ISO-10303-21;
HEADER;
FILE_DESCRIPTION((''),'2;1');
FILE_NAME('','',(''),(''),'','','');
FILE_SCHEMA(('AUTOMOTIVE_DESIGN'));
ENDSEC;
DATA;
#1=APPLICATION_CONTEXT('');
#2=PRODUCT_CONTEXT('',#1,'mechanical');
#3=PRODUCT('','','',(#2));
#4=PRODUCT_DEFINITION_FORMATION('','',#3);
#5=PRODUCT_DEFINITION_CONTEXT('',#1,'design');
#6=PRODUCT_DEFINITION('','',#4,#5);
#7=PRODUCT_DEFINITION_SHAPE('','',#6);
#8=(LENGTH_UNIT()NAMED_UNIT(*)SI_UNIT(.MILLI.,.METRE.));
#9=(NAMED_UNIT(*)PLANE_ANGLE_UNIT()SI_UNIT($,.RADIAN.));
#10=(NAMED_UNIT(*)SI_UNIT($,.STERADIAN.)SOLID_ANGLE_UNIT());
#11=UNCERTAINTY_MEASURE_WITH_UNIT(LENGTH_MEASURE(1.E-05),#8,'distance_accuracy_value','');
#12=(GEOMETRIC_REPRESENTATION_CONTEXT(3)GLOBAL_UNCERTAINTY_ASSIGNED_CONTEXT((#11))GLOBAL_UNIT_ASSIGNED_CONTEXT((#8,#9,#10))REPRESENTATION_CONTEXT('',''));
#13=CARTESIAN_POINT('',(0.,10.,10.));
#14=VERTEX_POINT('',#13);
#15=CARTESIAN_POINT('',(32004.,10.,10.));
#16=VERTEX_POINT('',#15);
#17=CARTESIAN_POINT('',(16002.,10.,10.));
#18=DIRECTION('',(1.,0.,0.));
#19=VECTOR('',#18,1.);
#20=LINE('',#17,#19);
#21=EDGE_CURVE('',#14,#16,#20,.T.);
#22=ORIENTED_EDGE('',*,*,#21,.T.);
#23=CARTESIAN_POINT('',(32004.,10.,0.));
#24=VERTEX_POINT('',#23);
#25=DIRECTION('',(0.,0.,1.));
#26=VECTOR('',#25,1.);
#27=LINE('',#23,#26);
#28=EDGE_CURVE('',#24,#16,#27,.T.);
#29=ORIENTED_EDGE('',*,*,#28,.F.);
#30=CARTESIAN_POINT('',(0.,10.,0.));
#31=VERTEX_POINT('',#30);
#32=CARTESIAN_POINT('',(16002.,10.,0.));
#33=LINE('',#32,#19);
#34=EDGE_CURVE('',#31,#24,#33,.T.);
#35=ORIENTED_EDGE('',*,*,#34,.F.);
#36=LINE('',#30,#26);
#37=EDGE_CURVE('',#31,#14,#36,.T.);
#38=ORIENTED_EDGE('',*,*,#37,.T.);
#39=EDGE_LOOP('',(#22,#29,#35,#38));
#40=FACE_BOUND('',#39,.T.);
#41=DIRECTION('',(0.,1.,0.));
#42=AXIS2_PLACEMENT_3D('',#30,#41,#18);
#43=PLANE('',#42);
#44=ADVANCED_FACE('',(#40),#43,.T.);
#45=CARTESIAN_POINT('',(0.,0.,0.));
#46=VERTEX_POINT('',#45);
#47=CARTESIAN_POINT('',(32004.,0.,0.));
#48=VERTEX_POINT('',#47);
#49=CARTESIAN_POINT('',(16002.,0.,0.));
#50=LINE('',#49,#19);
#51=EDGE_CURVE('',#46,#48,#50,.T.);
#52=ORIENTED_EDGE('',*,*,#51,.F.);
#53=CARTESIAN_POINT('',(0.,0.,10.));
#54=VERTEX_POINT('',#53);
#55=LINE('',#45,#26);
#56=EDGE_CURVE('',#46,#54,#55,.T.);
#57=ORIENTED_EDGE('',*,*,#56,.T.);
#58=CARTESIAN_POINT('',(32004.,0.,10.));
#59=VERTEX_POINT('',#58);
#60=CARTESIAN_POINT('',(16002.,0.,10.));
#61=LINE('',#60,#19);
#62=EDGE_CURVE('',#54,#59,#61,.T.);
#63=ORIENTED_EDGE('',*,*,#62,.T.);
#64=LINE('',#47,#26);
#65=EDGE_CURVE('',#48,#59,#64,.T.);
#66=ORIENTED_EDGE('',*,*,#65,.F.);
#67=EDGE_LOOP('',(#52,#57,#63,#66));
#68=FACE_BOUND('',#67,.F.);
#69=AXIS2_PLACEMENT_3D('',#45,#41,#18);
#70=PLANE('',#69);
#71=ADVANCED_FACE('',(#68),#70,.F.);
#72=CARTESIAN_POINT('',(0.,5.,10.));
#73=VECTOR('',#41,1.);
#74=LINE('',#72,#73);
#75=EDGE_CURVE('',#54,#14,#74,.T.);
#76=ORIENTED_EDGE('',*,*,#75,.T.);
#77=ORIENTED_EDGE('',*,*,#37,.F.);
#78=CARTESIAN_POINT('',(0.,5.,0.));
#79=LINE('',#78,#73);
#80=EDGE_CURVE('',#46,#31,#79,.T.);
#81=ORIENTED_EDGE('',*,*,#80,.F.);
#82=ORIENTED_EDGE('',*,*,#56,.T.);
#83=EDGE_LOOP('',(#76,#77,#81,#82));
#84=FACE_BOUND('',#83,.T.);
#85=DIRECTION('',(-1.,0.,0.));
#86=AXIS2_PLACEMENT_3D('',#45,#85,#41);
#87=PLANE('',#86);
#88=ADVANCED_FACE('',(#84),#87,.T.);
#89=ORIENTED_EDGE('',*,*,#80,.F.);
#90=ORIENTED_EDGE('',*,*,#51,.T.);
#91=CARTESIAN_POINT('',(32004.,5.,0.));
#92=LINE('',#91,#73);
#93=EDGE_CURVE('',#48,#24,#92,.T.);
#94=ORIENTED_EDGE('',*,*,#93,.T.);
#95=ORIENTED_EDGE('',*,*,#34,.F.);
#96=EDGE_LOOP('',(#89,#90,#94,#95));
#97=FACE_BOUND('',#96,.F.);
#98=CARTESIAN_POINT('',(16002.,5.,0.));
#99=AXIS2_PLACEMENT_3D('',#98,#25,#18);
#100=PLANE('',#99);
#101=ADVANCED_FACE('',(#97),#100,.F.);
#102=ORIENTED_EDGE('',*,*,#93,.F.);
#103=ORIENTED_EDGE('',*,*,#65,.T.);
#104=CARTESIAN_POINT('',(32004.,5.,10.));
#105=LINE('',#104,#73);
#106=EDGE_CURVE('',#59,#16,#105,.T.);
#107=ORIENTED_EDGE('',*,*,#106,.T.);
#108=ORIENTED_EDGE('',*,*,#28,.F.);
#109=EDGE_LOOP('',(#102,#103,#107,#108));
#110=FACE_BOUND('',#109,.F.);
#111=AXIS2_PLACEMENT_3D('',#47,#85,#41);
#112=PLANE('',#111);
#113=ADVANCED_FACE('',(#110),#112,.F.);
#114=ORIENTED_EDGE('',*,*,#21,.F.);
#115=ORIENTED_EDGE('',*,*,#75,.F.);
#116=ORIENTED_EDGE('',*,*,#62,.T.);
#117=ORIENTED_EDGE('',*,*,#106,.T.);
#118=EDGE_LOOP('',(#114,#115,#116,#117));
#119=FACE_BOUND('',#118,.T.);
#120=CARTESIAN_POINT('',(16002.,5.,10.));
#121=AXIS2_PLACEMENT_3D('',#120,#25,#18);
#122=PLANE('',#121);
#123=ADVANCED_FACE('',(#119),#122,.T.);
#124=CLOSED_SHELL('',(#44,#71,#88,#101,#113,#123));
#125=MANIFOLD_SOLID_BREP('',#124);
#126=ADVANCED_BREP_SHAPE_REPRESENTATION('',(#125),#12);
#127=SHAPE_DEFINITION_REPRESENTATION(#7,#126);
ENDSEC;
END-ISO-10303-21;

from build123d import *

# Parameters (mm, degrees)
BOX_W     = 32004
BOX_H     = 10
BOX_DEPTH = 10


with BuildPart() as part:
    # Box → Box (new body)
    with BuildSketch(Plane.XY):
        with Locations((16002, 5)):
            Rectangle(BOX_W, BOX_H)
    extrude(amount=BOX_DEPTH)


solid = part.part
